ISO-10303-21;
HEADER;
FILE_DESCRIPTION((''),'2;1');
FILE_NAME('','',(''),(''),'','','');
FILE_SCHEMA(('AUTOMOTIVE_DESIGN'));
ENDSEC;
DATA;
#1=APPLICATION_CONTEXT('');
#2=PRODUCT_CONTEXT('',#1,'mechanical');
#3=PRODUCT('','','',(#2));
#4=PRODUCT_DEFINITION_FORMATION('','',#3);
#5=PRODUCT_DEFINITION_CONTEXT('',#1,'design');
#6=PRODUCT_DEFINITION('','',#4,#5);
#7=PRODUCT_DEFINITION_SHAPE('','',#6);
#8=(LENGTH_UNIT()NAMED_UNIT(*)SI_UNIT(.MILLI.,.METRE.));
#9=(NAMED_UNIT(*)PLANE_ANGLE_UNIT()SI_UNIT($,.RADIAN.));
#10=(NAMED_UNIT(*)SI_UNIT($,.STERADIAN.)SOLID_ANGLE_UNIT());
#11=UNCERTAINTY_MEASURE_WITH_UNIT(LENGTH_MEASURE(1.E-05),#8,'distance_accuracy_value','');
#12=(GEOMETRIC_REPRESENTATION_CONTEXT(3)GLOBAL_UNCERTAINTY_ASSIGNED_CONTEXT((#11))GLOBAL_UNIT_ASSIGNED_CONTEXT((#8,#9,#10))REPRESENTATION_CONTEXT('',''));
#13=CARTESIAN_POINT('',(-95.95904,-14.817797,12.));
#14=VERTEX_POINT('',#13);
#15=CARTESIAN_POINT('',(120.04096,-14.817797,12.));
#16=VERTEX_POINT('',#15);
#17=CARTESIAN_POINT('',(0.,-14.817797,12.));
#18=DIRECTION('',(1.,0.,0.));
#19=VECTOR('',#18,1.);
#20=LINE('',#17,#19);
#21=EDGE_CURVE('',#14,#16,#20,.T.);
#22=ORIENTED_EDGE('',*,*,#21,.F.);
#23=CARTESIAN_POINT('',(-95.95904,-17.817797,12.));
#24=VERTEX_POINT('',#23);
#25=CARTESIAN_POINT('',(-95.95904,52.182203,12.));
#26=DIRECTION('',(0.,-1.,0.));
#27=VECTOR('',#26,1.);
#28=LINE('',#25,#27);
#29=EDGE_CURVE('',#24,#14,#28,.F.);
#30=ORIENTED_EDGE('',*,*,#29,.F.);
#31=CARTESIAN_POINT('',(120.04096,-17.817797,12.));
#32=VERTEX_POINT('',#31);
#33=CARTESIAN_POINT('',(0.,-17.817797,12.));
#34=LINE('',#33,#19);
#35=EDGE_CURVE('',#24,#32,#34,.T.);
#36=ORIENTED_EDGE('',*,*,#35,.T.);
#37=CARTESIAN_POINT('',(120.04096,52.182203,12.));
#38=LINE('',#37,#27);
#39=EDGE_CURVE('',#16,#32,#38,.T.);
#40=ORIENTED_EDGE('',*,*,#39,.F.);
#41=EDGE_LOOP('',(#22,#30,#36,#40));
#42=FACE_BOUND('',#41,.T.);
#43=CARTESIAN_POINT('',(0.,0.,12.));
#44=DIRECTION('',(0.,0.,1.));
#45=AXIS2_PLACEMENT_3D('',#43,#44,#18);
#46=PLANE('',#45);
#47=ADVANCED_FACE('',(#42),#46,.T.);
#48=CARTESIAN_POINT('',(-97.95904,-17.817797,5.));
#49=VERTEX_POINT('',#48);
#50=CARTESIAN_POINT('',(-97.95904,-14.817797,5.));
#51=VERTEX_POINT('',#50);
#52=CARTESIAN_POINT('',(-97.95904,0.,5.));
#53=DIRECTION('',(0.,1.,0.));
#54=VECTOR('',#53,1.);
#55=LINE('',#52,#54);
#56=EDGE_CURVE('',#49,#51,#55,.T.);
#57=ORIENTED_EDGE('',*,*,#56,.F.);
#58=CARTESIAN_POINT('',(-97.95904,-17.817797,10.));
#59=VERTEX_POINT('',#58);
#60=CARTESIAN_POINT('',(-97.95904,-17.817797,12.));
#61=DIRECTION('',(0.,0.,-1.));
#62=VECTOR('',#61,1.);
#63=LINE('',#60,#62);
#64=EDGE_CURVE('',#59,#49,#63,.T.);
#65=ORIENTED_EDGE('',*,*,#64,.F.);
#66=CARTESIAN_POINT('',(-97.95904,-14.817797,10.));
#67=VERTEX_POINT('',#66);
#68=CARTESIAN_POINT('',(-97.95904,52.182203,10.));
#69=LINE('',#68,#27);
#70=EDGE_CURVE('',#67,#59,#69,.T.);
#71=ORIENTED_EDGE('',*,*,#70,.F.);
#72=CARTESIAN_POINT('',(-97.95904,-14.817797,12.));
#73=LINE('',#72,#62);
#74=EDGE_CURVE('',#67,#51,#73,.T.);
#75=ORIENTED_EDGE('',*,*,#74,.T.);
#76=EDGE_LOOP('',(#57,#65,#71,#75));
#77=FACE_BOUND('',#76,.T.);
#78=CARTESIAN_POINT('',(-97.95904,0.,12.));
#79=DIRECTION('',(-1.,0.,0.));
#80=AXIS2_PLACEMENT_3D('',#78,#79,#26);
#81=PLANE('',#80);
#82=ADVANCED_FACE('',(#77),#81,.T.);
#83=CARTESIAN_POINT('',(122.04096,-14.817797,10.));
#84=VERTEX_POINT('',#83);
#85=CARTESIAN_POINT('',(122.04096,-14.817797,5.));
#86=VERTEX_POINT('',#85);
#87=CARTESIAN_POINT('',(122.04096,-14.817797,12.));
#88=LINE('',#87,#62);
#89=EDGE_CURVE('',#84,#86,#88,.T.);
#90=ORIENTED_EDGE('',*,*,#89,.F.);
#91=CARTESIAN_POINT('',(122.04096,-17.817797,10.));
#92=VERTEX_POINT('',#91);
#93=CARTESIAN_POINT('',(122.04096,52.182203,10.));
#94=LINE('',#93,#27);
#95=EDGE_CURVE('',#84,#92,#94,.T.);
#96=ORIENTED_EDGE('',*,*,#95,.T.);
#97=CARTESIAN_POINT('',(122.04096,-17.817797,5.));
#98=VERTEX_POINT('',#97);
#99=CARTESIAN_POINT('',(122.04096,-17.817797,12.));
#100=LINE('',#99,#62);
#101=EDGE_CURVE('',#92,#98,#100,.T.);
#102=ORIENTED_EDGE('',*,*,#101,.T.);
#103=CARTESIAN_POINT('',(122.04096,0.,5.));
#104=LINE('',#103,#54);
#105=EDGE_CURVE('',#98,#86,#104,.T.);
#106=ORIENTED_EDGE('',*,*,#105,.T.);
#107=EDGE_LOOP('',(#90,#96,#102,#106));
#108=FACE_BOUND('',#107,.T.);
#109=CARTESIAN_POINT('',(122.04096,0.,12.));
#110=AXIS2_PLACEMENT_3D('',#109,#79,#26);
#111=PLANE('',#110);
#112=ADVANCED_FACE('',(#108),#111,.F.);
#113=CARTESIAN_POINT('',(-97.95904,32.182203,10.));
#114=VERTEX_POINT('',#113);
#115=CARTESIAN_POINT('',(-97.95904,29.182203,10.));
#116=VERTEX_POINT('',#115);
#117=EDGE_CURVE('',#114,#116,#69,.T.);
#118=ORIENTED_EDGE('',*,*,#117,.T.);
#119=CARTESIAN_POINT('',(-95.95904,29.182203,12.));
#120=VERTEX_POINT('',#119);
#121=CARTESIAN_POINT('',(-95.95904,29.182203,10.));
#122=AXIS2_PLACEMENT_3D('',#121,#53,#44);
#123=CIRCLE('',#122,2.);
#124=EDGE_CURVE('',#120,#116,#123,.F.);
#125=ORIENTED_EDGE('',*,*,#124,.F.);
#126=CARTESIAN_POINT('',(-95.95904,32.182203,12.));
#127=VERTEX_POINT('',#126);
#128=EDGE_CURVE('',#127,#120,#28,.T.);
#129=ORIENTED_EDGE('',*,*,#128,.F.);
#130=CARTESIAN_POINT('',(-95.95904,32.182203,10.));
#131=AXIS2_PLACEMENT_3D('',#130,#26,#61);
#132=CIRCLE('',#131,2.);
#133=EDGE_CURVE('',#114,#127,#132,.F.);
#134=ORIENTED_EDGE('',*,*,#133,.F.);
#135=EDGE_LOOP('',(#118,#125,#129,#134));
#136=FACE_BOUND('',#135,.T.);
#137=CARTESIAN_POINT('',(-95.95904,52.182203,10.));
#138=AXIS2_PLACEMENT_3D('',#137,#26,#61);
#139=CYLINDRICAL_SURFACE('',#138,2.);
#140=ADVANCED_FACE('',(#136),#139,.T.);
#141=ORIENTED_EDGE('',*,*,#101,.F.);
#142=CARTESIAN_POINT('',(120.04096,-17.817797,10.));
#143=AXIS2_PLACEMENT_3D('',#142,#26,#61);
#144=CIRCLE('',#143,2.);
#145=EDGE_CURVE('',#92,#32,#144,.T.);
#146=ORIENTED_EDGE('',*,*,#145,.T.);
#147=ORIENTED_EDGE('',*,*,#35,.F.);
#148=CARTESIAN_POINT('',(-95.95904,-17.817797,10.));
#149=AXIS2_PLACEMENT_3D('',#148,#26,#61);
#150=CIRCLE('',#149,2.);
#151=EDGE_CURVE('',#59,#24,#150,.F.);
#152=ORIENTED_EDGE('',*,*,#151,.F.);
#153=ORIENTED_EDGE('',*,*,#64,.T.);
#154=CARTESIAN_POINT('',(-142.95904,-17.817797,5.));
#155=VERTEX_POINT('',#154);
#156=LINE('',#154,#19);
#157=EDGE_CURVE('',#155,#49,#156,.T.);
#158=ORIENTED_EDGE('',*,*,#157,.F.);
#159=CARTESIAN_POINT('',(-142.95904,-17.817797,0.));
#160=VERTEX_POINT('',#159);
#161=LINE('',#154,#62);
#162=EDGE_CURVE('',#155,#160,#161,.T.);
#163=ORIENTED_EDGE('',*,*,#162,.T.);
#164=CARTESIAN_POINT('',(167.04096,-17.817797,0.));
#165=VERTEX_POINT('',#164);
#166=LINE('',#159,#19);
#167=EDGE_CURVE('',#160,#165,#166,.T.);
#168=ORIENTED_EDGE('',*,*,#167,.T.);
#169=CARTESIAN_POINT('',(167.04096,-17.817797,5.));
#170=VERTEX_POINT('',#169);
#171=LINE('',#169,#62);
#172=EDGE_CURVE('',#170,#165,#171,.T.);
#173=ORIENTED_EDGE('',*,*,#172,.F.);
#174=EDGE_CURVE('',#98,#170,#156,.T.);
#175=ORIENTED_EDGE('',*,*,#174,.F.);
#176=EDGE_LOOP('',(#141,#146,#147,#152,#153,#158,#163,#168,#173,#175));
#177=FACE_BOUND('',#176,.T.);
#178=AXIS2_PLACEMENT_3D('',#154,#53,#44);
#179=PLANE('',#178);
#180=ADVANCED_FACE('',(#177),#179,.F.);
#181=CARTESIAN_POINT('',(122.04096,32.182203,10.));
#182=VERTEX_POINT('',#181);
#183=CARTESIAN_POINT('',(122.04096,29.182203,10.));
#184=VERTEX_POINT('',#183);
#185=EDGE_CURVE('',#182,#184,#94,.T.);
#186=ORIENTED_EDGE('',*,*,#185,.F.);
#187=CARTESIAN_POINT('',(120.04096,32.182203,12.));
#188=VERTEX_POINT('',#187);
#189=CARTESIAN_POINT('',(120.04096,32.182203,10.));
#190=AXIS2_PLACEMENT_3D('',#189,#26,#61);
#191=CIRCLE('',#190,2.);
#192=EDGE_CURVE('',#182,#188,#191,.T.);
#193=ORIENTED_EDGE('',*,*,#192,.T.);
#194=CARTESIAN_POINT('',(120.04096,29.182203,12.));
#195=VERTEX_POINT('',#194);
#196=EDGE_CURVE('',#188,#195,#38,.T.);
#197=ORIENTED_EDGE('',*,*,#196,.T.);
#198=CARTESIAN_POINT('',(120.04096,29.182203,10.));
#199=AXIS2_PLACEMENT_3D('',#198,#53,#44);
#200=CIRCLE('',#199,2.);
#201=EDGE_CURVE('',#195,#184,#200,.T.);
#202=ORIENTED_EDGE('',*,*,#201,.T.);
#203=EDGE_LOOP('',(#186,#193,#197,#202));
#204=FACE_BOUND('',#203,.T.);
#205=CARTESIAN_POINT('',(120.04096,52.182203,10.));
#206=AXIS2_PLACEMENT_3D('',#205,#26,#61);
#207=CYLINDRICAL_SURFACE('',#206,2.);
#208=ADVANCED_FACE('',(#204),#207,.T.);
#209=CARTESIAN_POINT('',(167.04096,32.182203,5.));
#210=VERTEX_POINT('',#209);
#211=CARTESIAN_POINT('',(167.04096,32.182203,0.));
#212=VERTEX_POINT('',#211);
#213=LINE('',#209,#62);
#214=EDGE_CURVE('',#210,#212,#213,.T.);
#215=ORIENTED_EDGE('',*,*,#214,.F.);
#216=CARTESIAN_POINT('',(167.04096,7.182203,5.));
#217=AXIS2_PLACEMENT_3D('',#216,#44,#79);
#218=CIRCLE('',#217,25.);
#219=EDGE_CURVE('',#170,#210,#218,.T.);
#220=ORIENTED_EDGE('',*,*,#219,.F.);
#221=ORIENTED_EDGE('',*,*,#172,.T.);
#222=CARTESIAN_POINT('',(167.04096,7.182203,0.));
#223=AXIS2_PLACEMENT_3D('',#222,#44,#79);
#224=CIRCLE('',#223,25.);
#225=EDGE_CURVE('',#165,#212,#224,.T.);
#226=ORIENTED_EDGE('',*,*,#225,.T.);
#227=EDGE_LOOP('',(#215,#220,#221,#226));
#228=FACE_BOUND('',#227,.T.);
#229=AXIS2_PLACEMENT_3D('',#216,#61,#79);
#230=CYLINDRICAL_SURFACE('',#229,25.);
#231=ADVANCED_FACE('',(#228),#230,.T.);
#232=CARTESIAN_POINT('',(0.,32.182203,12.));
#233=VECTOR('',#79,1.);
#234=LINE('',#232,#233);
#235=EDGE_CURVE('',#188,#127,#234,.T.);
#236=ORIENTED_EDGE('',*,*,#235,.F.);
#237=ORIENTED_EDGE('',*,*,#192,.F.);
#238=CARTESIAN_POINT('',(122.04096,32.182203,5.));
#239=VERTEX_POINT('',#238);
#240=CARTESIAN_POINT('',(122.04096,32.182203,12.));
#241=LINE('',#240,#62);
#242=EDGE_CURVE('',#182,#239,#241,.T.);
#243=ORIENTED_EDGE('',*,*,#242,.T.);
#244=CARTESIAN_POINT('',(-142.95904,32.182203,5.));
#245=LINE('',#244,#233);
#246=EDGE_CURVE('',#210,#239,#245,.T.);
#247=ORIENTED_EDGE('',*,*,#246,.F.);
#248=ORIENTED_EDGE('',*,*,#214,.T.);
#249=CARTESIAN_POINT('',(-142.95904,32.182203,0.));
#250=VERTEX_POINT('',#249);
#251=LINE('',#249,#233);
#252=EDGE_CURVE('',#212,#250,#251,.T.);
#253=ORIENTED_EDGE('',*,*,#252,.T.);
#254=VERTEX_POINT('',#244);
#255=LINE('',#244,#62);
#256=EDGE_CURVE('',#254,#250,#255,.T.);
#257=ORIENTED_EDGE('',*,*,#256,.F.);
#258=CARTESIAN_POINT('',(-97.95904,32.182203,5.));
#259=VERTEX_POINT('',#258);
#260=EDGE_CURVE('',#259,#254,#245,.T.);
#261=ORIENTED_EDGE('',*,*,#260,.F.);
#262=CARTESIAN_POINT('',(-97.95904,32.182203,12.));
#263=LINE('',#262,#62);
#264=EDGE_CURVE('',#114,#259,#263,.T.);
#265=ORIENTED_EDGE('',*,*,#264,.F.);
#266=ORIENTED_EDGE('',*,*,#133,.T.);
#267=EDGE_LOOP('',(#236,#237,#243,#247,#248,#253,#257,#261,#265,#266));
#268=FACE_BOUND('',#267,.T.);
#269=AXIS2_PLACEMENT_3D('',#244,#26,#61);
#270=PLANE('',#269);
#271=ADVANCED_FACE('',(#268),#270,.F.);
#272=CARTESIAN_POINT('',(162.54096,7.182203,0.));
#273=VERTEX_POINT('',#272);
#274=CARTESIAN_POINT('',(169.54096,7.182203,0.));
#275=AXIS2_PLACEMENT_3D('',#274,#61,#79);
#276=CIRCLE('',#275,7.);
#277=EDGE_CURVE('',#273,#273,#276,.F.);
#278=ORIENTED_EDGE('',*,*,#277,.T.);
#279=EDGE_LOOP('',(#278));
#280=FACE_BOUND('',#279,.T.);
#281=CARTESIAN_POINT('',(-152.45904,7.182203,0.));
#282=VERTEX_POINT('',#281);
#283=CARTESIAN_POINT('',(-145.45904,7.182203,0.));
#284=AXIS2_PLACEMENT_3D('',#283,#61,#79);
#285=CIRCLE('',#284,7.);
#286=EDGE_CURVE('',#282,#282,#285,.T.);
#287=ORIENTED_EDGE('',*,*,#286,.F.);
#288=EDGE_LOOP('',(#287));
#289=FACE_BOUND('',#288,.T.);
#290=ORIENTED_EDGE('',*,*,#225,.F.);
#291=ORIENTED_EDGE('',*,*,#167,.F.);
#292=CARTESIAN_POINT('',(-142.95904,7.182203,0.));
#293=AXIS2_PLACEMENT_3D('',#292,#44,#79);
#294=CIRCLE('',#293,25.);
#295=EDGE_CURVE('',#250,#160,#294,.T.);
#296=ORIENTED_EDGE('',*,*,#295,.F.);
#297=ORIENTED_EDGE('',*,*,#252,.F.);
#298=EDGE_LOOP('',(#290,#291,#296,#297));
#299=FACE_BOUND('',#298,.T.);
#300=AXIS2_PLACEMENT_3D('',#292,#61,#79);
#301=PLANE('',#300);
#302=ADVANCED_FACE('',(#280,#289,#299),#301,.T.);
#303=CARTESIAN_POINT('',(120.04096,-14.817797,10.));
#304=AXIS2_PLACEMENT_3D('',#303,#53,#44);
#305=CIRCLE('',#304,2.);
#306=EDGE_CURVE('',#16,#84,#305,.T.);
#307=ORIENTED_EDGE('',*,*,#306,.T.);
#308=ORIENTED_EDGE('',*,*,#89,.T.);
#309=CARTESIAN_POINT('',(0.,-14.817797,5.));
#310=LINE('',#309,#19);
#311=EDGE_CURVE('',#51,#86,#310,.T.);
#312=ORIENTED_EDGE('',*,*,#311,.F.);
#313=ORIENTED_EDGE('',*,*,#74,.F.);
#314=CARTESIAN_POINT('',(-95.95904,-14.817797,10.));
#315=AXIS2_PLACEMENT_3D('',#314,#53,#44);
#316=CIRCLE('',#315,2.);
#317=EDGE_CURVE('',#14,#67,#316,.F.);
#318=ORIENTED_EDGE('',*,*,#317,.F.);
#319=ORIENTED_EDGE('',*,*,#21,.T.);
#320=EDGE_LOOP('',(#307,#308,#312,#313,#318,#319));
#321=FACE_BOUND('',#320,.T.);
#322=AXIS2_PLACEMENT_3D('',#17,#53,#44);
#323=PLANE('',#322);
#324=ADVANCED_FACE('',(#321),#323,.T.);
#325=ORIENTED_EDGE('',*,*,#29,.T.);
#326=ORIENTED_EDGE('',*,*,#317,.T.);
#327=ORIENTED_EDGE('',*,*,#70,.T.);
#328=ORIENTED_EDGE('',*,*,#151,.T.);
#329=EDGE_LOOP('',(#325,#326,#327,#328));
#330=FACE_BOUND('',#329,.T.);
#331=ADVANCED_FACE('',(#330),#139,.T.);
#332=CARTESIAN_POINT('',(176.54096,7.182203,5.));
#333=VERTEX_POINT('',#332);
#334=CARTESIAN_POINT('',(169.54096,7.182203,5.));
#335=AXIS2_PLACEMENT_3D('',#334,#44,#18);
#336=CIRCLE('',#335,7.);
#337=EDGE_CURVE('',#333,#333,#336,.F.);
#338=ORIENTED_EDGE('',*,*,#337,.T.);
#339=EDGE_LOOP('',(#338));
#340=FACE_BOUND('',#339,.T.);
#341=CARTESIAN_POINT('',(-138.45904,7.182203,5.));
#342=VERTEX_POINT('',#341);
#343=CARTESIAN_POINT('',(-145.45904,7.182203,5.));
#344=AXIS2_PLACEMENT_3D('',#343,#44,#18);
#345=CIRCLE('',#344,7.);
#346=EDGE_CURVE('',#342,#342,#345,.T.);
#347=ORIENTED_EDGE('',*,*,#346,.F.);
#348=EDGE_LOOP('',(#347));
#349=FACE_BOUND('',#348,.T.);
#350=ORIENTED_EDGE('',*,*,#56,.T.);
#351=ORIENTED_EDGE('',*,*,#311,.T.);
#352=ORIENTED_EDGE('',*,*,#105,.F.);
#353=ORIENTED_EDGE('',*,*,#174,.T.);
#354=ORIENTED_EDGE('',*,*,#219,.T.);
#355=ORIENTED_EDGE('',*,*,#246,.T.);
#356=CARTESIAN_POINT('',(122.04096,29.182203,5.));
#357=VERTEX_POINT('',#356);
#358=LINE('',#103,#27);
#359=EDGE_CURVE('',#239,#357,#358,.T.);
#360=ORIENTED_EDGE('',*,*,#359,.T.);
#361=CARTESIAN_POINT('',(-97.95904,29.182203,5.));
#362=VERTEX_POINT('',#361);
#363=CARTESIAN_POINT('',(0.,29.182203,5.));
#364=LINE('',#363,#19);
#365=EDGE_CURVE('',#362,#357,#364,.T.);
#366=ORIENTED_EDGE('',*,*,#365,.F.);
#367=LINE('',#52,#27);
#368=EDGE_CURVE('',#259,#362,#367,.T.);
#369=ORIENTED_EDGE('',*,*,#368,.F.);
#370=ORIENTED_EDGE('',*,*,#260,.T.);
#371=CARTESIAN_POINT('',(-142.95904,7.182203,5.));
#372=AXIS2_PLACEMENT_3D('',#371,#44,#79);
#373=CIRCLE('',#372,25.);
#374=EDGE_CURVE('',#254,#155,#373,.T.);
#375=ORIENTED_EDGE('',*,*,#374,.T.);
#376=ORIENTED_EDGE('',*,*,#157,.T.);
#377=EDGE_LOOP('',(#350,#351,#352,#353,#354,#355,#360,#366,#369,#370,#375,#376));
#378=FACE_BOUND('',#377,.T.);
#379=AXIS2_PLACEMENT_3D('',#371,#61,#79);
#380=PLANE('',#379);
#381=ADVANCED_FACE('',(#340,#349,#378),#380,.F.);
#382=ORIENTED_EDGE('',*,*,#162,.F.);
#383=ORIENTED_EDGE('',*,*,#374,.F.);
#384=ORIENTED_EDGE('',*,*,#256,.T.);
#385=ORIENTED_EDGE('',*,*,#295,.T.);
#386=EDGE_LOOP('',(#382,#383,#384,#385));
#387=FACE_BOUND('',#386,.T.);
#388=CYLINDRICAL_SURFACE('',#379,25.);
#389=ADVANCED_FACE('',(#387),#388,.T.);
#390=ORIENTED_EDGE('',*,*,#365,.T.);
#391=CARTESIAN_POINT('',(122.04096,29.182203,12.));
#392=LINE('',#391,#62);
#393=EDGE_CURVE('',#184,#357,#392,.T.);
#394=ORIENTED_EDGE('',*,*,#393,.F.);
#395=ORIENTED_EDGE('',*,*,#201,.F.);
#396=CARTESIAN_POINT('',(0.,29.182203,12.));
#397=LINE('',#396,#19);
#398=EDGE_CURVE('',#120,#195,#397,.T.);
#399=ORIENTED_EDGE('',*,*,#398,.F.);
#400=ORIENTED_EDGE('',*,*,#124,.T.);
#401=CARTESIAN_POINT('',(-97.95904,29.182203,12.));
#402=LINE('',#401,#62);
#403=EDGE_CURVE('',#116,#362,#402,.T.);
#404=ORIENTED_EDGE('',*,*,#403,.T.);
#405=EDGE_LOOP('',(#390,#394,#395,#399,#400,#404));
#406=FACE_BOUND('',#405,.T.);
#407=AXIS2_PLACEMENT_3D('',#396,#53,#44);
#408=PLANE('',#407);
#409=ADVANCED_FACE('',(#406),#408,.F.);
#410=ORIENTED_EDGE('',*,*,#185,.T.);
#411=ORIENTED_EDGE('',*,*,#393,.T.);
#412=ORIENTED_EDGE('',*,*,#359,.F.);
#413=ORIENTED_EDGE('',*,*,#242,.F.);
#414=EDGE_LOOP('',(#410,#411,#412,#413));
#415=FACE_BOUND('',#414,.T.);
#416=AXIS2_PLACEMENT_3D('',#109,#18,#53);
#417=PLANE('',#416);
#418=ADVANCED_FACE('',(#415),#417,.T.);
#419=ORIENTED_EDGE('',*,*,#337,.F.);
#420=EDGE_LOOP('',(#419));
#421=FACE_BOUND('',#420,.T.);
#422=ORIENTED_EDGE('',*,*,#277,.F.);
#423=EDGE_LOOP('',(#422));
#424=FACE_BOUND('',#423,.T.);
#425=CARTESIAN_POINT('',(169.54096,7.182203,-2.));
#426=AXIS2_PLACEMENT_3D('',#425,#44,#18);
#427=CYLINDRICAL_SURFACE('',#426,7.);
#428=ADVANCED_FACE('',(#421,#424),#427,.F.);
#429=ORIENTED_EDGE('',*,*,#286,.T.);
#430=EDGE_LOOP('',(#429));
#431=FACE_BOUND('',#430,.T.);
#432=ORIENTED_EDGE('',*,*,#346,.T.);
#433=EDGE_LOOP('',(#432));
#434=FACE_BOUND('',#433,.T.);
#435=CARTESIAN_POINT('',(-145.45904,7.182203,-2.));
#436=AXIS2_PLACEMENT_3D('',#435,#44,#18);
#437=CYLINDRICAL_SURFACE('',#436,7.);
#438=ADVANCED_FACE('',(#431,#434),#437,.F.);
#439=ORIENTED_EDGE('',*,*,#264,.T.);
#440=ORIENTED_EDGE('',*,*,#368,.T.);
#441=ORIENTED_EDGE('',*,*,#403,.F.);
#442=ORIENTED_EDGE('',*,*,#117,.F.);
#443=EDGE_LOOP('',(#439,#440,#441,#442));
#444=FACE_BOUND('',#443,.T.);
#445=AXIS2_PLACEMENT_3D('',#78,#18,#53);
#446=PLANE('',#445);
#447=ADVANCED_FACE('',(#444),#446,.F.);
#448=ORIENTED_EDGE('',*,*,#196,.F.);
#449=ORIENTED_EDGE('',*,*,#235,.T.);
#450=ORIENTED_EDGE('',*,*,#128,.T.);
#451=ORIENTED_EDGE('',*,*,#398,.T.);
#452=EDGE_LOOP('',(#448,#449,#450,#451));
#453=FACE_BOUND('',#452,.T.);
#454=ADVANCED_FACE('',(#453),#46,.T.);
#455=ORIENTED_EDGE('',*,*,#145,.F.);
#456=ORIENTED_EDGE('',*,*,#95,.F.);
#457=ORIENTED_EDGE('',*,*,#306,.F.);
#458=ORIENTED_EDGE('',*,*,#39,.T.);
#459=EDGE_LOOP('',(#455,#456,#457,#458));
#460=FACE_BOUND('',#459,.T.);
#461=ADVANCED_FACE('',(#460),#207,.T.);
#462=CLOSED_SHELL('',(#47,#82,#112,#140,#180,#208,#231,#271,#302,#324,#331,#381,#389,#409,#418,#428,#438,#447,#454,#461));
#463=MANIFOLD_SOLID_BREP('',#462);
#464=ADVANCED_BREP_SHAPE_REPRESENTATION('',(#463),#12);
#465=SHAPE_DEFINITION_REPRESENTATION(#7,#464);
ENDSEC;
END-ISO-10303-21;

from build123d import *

# Parameters (mm, degrees)
BOSS_EXTRUDE1_DEPTH = 5
SKETCH3_W           = 220
SKETCH3_H           = 3
BOSS_EXTRUDE2_DEPTH = 7
SKETCH4_R           = 7
CUT_EXTRUDE1_DEPTH  = 7
CUT_EXTRUDE2_DEPTH  = 70


with BuildPart() as part:
    # Sketch2 → Boss-Extrude1 (new body)
    with BuildSketch(Plane.XY):
        with BuildLine():
            Line((-142.959039548, 32.18220339), (167.040960452, 32.18220339))
            ThreePointArc((167.040960452, 32.18220339), (192.040960452, 7.18220339), (167.040960452, -17.81779661))
            Line((167.040960452, -17.81779661), (-142.959039548, -17.81779661))
            ThreePointArc((-142.959039548, -17.81779661), (-167.959039548, 7.18220339), (-142.959039548, 32.18220339))
        make_face()
    extrude(amount=BOSS_EXTRUDE1_DEPTH)

    # Sketch3 → Boss-Extrude2 (add)
    with BuildSketch(Plane.XY.offset(5)):
        with Locations((12.040960452, 30.68220339)):
            Rectangle(SKETCH3_W, SKETCH3_H)
        with Locations((12.040960452, -16.31779661)):
            Rectangle(SKETCH3_W, SKETCH3_H)
    extrude(amount=BOSS_EXTRUDE2_DEPTH)

    # Sketch4 → Cut-Extrude1 (cut)
    with BuildSketch(Plane.XY.offset(5)):
        with Locations((-145.459039548, 7.18220339)):
            Circle(SKETCH4_R)
        with Locations((169.540960452, 7.18220339)):
            Circle(SKETCH4_R)
    extrude(amount=-CUT_EXTRUDE1_DEPTH, mode=Mode.SUBTRACT)

    # Sketch5 → Cut-Extrude2 (cut)
    with BuildSketch(Plane.XZ.offset(17.81779661)):
        with BuildLine():
            ThreePointArc((-97.959039548, 10), (-97.37325311, 11.414213562), (-95.959039548, 12))
            Line((-95.959039548, 12), (-97.959039548, 12))
            Line((-97.959039548, 12), (-97.959039548, 10))
        make_face()
        with BuildLine():
            Line((122.040960452, 12), (120.040960452, 12))
            ThreePointArc((120.040960452, 12), (121.455174014, 11.414213562), (122.040960452, 10))
            Line((122.040960452, 10), (122.040960452, 12))
        make_face()
    extrude(amount=-CUT_EXTRUDE2_DEPTH, mode=Mode.SUBTRACT)


solid = part.part
